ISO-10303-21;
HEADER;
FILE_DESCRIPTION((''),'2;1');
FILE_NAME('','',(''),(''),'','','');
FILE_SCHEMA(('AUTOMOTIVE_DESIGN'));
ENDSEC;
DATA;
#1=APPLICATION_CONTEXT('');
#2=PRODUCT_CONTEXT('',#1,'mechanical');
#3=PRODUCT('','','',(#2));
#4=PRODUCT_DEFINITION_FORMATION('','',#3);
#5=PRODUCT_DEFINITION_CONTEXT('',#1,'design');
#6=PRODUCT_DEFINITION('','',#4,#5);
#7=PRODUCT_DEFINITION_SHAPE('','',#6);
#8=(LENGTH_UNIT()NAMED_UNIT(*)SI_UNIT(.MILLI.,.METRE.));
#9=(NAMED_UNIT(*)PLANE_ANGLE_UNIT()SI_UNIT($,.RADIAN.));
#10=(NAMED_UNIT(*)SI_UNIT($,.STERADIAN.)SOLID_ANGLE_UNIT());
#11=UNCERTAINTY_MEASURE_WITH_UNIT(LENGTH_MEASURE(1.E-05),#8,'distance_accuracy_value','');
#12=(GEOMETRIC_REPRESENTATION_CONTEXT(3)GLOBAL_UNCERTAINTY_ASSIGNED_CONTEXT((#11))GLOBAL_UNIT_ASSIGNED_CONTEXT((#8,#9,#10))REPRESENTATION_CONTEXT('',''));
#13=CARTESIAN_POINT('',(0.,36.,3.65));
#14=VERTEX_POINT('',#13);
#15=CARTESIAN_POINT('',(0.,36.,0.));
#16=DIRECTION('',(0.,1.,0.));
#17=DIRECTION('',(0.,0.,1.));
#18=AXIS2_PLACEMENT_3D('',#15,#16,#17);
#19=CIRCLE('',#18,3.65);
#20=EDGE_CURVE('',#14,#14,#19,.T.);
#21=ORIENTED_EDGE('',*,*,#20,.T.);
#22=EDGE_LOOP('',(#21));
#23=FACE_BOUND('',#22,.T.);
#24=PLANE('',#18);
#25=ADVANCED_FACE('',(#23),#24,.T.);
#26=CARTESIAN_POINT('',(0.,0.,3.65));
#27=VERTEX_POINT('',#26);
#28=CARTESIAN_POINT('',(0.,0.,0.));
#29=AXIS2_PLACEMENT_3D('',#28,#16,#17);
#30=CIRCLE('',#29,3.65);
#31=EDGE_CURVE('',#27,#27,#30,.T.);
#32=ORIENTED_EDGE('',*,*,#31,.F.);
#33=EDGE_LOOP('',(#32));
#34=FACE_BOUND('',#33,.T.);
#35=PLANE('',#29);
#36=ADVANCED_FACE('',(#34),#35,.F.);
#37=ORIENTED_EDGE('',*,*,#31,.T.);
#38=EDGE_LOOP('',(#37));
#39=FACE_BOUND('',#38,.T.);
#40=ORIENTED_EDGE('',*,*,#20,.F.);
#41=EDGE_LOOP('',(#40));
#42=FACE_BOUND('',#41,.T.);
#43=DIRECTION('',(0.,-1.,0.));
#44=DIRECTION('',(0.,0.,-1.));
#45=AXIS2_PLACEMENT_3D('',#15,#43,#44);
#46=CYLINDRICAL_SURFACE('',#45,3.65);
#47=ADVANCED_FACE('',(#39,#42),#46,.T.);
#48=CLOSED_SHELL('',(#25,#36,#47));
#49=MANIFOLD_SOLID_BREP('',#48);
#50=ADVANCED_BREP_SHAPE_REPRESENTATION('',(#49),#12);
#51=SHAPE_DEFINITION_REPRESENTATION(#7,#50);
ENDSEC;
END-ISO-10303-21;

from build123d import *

# Parameters (mm, degrees)
SKETCH_1_R      = 3.65
EXTRUDE_1_DEPTH = 36


with BuildPart() as part:
    # 草图1 → 凸台-拉伸1 (new body)
    with BuildSketch(Plane(origin=(0, 0, 0), x_dir=(1, 0, 0), z_dir=(0, 1, 0))):
        with Locations(Location((0, 0, 0), (0, 0, 270))):
            Circle(SKETCH_1_R)
    extrude(amount=EXTRUDE_1_DEPTH)


solid = part.part
